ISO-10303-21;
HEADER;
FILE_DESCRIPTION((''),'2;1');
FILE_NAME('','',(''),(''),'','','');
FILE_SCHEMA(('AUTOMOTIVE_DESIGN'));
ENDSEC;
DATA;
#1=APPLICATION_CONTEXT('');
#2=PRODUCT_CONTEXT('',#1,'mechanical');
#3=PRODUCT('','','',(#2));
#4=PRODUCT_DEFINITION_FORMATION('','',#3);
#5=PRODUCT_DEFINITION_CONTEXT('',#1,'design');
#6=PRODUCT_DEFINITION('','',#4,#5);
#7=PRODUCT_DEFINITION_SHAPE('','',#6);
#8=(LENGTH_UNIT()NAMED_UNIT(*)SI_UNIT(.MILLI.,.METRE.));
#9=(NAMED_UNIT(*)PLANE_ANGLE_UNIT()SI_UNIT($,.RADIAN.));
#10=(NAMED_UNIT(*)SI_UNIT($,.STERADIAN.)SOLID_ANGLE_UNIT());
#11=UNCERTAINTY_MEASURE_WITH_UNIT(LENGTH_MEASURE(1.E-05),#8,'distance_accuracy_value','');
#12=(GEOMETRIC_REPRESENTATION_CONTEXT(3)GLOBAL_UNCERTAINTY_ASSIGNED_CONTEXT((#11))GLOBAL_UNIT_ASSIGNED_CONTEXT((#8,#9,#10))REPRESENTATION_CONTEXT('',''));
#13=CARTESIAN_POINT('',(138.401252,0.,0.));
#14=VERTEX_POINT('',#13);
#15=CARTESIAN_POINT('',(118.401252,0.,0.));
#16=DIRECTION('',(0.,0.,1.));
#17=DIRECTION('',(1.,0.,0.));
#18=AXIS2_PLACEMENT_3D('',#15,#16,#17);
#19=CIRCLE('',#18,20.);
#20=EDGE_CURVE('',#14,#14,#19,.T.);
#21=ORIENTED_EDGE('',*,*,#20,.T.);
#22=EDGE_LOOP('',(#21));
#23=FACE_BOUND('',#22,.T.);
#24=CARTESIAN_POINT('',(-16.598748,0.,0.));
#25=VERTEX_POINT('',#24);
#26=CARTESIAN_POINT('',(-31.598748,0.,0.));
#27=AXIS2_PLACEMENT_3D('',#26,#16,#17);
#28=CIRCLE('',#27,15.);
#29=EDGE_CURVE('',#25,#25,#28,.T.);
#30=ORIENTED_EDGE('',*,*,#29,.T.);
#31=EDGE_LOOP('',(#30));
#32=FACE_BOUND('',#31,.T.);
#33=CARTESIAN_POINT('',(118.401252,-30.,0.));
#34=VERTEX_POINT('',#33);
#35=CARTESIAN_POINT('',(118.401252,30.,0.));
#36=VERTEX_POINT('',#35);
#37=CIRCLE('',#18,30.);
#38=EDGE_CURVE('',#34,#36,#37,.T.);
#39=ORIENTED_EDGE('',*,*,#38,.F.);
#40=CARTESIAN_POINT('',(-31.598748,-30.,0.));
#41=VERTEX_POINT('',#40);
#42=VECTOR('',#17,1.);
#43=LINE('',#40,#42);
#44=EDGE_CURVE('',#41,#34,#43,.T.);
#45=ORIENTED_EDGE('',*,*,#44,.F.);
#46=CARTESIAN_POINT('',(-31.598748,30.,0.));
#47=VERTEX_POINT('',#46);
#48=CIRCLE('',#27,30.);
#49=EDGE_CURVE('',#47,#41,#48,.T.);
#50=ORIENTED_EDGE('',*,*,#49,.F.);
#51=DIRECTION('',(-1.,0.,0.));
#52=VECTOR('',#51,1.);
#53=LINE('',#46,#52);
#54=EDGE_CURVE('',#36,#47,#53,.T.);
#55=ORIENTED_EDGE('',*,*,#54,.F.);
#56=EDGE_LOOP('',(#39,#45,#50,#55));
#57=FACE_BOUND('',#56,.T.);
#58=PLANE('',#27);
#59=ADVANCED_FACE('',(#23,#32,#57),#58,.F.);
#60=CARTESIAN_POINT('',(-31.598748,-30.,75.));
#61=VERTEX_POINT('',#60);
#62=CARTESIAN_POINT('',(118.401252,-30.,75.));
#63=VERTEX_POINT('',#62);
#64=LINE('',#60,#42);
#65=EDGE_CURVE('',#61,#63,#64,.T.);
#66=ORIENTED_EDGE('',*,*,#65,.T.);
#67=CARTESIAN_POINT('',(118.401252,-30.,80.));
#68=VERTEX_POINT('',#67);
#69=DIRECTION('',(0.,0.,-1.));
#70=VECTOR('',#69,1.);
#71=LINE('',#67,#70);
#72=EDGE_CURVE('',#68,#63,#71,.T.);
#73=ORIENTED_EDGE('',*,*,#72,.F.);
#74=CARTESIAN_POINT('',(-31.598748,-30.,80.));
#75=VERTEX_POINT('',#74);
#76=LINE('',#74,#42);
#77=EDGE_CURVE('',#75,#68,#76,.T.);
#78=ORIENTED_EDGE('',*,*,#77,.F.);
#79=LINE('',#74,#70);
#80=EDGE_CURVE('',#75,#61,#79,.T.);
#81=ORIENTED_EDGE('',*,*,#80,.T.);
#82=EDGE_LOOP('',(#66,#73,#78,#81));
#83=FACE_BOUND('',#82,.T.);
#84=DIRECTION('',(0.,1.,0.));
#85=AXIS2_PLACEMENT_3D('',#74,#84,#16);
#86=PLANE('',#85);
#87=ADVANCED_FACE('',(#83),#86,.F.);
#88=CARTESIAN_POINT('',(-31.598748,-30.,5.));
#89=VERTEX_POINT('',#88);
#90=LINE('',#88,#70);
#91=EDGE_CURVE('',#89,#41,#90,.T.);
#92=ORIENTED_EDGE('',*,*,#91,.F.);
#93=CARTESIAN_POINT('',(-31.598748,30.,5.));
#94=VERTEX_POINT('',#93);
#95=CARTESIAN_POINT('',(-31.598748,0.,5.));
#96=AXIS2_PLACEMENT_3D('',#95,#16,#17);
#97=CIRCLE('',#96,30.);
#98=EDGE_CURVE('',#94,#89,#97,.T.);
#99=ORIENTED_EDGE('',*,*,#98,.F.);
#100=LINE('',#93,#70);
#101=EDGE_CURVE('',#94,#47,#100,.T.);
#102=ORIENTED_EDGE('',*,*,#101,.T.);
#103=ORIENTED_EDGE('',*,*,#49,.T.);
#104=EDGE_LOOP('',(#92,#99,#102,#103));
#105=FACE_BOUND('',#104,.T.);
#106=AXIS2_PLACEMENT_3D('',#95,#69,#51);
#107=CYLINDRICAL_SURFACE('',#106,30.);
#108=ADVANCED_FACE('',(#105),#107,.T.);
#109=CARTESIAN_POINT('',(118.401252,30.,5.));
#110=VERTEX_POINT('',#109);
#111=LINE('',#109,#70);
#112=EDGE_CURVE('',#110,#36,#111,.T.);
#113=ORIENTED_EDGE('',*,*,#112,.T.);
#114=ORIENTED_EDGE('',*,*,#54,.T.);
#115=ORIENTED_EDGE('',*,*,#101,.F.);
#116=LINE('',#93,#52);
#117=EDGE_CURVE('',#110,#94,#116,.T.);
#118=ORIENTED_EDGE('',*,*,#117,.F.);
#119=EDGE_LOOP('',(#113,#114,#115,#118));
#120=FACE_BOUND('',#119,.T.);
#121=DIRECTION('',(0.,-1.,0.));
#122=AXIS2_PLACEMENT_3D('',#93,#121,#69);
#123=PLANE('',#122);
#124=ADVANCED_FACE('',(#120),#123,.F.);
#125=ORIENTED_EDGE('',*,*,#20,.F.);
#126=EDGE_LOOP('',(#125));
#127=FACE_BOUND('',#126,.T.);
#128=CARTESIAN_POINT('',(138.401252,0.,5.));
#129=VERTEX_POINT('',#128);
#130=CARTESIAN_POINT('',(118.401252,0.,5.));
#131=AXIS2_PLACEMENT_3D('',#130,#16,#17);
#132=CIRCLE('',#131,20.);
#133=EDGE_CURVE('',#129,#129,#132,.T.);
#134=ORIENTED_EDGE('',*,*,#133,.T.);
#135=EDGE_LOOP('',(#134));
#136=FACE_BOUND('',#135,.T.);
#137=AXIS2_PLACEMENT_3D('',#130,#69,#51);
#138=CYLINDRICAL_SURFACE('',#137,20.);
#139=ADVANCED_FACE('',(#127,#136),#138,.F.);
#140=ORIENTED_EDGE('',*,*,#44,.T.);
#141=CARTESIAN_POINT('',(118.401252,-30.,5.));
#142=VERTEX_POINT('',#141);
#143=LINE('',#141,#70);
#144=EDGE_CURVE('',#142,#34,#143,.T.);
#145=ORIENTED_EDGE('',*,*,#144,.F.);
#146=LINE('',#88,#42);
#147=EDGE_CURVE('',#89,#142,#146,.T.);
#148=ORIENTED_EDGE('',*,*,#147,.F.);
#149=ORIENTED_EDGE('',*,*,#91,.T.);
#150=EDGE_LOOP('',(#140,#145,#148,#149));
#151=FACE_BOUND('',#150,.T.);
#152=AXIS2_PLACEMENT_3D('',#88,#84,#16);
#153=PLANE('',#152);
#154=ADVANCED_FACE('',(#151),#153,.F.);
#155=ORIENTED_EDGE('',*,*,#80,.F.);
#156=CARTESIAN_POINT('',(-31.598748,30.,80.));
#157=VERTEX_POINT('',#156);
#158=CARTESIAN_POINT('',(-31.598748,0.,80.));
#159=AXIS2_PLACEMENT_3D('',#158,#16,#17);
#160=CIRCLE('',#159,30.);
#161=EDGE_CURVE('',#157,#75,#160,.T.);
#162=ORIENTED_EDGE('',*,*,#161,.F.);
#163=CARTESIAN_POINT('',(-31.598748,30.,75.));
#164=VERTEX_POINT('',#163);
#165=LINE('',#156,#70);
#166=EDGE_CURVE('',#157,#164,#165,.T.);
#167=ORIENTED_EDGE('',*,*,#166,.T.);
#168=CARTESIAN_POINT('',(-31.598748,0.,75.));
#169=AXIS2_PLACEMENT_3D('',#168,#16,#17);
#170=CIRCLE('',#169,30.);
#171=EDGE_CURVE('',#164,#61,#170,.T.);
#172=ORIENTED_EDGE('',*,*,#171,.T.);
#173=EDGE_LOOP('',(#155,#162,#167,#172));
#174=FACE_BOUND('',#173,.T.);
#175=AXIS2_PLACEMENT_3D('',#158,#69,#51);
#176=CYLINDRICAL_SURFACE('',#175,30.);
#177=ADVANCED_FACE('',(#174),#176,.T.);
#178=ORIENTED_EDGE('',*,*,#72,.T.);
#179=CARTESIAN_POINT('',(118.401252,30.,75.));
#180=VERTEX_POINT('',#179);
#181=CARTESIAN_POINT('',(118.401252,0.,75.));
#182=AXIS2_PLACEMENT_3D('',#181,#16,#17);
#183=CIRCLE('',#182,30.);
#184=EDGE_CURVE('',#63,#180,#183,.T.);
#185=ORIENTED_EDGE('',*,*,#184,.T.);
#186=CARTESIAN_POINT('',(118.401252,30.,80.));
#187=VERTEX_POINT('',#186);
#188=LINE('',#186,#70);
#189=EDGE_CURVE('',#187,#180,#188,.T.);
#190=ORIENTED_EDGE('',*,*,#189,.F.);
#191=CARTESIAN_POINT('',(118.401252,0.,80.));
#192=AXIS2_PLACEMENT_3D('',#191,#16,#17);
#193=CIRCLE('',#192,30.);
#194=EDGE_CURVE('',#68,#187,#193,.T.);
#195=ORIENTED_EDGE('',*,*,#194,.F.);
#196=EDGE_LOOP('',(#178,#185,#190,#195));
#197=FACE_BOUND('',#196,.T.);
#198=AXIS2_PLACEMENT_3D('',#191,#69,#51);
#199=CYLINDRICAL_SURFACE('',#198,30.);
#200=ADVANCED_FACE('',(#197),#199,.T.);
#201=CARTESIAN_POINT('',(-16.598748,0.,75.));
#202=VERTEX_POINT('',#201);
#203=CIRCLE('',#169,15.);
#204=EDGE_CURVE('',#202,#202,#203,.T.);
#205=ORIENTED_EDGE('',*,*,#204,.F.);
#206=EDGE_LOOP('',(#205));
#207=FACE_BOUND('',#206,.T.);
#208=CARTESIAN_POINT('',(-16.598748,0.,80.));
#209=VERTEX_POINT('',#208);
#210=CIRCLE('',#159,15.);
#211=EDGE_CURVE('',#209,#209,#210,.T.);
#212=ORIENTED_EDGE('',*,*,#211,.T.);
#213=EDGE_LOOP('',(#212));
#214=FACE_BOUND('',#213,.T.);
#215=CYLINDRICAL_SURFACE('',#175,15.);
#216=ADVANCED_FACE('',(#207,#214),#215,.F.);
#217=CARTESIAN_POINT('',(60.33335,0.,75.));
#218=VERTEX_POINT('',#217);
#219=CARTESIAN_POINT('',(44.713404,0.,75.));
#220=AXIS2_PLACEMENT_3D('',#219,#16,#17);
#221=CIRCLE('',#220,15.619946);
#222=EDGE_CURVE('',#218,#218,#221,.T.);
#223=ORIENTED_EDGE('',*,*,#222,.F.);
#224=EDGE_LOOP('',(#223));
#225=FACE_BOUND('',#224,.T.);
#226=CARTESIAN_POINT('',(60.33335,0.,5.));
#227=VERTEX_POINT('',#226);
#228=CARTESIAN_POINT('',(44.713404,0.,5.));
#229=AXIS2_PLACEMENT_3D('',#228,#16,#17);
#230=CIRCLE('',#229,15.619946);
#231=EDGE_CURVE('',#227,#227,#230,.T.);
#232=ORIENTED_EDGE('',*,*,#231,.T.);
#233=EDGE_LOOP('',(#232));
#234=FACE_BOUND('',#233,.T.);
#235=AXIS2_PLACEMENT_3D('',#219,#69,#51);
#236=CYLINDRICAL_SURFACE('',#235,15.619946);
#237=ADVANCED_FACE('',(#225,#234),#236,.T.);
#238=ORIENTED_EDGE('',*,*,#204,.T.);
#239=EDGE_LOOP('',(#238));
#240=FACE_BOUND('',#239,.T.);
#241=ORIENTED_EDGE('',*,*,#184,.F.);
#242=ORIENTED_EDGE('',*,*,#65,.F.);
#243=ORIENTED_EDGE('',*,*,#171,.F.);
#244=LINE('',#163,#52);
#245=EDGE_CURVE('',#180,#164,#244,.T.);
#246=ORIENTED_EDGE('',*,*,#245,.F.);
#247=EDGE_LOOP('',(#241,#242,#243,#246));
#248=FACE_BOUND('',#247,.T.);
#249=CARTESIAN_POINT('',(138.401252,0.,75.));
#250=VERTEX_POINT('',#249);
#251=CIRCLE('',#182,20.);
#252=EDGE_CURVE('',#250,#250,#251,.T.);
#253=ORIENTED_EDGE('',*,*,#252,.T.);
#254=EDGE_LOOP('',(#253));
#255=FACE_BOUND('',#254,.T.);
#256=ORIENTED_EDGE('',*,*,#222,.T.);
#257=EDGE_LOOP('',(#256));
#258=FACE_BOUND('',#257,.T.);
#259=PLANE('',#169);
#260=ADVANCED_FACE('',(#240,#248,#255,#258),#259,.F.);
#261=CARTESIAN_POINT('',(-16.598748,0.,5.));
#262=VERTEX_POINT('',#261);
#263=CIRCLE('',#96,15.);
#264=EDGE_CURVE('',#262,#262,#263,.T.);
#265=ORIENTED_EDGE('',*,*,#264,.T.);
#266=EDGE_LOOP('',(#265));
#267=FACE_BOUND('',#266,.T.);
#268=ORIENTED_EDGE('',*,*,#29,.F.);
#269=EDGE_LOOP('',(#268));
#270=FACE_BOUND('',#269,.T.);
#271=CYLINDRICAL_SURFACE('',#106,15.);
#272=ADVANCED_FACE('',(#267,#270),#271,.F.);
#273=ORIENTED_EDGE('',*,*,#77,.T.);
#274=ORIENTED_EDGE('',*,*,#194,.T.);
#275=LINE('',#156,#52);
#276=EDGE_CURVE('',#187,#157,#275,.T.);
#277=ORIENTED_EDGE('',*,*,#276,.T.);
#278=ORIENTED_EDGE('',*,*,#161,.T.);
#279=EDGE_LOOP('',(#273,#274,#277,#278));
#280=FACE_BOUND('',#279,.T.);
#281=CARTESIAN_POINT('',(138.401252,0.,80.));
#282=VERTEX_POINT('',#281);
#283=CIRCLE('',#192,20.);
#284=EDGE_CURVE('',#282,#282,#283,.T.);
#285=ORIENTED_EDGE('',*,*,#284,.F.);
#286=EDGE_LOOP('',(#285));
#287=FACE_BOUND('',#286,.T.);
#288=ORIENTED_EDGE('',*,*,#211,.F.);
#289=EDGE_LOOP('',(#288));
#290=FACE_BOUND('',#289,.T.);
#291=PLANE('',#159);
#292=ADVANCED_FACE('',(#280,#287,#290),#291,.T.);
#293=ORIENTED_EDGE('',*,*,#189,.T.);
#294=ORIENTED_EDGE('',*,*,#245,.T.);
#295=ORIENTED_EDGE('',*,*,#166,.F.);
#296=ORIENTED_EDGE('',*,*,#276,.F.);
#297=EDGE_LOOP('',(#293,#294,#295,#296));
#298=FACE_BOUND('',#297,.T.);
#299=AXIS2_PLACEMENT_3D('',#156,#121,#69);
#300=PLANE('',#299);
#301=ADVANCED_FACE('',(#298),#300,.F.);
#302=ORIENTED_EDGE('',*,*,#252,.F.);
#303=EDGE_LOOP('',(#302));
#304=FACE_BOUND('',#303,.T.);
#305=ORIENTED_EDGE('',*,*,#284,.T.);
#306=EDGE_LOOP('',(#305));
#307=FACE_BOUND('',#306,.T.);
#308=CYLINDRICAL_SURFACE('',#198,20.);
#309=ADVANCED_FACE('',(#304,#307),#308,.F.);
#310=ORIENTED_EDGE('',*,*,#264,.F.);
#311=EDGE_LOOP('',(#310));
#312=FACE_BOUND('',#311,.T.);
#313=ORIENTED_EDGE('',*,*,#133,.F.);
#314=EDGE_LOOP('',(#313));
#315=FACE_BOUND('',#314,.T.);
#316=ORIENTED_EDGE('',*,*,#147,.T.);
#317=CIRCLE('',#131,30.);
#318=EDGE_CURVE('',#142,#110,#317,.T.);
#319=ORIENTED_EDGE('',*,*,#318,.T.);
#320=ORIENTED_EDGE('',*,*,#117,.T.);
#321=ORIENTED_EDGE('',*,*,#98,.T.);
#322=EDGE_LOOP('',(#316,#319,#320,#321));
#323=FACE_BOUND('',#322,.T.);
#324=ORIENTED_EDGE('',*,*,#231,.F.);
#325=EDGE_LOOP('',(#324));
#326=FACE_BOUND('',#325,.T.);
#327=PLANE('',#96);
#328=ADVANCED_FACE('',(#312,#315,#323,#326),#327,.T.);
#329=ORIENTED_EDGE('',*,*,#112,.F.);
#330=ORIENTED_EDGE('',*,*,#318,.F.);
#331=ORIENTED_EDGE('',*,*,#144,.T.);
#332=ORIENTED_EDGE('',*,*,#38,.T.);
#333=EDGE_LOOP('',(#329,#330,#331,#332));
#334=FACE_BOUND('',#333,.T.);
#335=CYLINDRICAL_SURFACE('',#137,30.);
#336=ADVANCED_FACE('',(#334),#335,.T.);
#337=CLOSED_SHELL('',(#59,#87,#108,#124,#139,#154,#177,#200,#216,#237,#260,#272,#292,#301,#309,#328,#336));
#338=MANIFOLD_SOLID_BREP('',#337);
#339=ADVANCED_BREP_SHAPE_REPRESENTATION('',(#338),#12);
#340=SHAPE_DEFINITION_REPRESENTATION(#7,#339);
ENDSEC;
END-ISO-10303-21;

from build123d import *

# Parameters (mm, degrees)
SKETCH_1_R             = 15
SKETCH_1_R_2           = 20
EXTRUDE_1_DEPTH        = 5
SKETCH_2_R             = 15.619945806
EXTRUDE_2_DEPTH        = 70
PATTERN_LINEAR_1_COUNT = 2
PATTERN_LINEAR_1_PITCH = 75


with BuildPart() as part:
    # 草图1 → 凸台-拉伸1 (new body)
    with BuildSketch(Plane.XY):
        with BuildLine():
            Line((-31.598747919, 30), (118.401252081, 30))
            ThreePointArc((118.401252081, 30), (148.401252081, 0), (118.401252081, -30))
            Line((118.401252081, -30), (-31.598747919, -30))
            ThreePointArc((-31.598747919, -30), (-61.598747919, 0), (-31.598747919, 30))
        make_face()
        with Locations((-31.598747919, 0)):
            Circle(SKETCH_1_R, mode=Mode.SUBTRACT)
        with Locations((118.401252081, 0)):
            Circle(SKETCH_1_R_2, mode=Mode.SUBTRACT)
    extrude_1 = extrude(amount=EXTRUDE_1_DEPTH)

    # 草图2 → 凸台-拉伸2 (add)
    with BuildSketch(Plane.XY.offset(5)):
        with Locations((44.713404219, 0)):
            Circle(SKETCH_2_R)
    extrude(amount=EXTRUDE_2_DEPTH)

    # 阵列(线性)1: 凸台-拉伸1 ×2
    with Locations(*[(0, 0, i * PATTERN_LINEAR_1_PITCH) for i in range(1, PATTERN_LINEAR_1_COUNT)]):
        add(extrude_1)


solid = part.part
